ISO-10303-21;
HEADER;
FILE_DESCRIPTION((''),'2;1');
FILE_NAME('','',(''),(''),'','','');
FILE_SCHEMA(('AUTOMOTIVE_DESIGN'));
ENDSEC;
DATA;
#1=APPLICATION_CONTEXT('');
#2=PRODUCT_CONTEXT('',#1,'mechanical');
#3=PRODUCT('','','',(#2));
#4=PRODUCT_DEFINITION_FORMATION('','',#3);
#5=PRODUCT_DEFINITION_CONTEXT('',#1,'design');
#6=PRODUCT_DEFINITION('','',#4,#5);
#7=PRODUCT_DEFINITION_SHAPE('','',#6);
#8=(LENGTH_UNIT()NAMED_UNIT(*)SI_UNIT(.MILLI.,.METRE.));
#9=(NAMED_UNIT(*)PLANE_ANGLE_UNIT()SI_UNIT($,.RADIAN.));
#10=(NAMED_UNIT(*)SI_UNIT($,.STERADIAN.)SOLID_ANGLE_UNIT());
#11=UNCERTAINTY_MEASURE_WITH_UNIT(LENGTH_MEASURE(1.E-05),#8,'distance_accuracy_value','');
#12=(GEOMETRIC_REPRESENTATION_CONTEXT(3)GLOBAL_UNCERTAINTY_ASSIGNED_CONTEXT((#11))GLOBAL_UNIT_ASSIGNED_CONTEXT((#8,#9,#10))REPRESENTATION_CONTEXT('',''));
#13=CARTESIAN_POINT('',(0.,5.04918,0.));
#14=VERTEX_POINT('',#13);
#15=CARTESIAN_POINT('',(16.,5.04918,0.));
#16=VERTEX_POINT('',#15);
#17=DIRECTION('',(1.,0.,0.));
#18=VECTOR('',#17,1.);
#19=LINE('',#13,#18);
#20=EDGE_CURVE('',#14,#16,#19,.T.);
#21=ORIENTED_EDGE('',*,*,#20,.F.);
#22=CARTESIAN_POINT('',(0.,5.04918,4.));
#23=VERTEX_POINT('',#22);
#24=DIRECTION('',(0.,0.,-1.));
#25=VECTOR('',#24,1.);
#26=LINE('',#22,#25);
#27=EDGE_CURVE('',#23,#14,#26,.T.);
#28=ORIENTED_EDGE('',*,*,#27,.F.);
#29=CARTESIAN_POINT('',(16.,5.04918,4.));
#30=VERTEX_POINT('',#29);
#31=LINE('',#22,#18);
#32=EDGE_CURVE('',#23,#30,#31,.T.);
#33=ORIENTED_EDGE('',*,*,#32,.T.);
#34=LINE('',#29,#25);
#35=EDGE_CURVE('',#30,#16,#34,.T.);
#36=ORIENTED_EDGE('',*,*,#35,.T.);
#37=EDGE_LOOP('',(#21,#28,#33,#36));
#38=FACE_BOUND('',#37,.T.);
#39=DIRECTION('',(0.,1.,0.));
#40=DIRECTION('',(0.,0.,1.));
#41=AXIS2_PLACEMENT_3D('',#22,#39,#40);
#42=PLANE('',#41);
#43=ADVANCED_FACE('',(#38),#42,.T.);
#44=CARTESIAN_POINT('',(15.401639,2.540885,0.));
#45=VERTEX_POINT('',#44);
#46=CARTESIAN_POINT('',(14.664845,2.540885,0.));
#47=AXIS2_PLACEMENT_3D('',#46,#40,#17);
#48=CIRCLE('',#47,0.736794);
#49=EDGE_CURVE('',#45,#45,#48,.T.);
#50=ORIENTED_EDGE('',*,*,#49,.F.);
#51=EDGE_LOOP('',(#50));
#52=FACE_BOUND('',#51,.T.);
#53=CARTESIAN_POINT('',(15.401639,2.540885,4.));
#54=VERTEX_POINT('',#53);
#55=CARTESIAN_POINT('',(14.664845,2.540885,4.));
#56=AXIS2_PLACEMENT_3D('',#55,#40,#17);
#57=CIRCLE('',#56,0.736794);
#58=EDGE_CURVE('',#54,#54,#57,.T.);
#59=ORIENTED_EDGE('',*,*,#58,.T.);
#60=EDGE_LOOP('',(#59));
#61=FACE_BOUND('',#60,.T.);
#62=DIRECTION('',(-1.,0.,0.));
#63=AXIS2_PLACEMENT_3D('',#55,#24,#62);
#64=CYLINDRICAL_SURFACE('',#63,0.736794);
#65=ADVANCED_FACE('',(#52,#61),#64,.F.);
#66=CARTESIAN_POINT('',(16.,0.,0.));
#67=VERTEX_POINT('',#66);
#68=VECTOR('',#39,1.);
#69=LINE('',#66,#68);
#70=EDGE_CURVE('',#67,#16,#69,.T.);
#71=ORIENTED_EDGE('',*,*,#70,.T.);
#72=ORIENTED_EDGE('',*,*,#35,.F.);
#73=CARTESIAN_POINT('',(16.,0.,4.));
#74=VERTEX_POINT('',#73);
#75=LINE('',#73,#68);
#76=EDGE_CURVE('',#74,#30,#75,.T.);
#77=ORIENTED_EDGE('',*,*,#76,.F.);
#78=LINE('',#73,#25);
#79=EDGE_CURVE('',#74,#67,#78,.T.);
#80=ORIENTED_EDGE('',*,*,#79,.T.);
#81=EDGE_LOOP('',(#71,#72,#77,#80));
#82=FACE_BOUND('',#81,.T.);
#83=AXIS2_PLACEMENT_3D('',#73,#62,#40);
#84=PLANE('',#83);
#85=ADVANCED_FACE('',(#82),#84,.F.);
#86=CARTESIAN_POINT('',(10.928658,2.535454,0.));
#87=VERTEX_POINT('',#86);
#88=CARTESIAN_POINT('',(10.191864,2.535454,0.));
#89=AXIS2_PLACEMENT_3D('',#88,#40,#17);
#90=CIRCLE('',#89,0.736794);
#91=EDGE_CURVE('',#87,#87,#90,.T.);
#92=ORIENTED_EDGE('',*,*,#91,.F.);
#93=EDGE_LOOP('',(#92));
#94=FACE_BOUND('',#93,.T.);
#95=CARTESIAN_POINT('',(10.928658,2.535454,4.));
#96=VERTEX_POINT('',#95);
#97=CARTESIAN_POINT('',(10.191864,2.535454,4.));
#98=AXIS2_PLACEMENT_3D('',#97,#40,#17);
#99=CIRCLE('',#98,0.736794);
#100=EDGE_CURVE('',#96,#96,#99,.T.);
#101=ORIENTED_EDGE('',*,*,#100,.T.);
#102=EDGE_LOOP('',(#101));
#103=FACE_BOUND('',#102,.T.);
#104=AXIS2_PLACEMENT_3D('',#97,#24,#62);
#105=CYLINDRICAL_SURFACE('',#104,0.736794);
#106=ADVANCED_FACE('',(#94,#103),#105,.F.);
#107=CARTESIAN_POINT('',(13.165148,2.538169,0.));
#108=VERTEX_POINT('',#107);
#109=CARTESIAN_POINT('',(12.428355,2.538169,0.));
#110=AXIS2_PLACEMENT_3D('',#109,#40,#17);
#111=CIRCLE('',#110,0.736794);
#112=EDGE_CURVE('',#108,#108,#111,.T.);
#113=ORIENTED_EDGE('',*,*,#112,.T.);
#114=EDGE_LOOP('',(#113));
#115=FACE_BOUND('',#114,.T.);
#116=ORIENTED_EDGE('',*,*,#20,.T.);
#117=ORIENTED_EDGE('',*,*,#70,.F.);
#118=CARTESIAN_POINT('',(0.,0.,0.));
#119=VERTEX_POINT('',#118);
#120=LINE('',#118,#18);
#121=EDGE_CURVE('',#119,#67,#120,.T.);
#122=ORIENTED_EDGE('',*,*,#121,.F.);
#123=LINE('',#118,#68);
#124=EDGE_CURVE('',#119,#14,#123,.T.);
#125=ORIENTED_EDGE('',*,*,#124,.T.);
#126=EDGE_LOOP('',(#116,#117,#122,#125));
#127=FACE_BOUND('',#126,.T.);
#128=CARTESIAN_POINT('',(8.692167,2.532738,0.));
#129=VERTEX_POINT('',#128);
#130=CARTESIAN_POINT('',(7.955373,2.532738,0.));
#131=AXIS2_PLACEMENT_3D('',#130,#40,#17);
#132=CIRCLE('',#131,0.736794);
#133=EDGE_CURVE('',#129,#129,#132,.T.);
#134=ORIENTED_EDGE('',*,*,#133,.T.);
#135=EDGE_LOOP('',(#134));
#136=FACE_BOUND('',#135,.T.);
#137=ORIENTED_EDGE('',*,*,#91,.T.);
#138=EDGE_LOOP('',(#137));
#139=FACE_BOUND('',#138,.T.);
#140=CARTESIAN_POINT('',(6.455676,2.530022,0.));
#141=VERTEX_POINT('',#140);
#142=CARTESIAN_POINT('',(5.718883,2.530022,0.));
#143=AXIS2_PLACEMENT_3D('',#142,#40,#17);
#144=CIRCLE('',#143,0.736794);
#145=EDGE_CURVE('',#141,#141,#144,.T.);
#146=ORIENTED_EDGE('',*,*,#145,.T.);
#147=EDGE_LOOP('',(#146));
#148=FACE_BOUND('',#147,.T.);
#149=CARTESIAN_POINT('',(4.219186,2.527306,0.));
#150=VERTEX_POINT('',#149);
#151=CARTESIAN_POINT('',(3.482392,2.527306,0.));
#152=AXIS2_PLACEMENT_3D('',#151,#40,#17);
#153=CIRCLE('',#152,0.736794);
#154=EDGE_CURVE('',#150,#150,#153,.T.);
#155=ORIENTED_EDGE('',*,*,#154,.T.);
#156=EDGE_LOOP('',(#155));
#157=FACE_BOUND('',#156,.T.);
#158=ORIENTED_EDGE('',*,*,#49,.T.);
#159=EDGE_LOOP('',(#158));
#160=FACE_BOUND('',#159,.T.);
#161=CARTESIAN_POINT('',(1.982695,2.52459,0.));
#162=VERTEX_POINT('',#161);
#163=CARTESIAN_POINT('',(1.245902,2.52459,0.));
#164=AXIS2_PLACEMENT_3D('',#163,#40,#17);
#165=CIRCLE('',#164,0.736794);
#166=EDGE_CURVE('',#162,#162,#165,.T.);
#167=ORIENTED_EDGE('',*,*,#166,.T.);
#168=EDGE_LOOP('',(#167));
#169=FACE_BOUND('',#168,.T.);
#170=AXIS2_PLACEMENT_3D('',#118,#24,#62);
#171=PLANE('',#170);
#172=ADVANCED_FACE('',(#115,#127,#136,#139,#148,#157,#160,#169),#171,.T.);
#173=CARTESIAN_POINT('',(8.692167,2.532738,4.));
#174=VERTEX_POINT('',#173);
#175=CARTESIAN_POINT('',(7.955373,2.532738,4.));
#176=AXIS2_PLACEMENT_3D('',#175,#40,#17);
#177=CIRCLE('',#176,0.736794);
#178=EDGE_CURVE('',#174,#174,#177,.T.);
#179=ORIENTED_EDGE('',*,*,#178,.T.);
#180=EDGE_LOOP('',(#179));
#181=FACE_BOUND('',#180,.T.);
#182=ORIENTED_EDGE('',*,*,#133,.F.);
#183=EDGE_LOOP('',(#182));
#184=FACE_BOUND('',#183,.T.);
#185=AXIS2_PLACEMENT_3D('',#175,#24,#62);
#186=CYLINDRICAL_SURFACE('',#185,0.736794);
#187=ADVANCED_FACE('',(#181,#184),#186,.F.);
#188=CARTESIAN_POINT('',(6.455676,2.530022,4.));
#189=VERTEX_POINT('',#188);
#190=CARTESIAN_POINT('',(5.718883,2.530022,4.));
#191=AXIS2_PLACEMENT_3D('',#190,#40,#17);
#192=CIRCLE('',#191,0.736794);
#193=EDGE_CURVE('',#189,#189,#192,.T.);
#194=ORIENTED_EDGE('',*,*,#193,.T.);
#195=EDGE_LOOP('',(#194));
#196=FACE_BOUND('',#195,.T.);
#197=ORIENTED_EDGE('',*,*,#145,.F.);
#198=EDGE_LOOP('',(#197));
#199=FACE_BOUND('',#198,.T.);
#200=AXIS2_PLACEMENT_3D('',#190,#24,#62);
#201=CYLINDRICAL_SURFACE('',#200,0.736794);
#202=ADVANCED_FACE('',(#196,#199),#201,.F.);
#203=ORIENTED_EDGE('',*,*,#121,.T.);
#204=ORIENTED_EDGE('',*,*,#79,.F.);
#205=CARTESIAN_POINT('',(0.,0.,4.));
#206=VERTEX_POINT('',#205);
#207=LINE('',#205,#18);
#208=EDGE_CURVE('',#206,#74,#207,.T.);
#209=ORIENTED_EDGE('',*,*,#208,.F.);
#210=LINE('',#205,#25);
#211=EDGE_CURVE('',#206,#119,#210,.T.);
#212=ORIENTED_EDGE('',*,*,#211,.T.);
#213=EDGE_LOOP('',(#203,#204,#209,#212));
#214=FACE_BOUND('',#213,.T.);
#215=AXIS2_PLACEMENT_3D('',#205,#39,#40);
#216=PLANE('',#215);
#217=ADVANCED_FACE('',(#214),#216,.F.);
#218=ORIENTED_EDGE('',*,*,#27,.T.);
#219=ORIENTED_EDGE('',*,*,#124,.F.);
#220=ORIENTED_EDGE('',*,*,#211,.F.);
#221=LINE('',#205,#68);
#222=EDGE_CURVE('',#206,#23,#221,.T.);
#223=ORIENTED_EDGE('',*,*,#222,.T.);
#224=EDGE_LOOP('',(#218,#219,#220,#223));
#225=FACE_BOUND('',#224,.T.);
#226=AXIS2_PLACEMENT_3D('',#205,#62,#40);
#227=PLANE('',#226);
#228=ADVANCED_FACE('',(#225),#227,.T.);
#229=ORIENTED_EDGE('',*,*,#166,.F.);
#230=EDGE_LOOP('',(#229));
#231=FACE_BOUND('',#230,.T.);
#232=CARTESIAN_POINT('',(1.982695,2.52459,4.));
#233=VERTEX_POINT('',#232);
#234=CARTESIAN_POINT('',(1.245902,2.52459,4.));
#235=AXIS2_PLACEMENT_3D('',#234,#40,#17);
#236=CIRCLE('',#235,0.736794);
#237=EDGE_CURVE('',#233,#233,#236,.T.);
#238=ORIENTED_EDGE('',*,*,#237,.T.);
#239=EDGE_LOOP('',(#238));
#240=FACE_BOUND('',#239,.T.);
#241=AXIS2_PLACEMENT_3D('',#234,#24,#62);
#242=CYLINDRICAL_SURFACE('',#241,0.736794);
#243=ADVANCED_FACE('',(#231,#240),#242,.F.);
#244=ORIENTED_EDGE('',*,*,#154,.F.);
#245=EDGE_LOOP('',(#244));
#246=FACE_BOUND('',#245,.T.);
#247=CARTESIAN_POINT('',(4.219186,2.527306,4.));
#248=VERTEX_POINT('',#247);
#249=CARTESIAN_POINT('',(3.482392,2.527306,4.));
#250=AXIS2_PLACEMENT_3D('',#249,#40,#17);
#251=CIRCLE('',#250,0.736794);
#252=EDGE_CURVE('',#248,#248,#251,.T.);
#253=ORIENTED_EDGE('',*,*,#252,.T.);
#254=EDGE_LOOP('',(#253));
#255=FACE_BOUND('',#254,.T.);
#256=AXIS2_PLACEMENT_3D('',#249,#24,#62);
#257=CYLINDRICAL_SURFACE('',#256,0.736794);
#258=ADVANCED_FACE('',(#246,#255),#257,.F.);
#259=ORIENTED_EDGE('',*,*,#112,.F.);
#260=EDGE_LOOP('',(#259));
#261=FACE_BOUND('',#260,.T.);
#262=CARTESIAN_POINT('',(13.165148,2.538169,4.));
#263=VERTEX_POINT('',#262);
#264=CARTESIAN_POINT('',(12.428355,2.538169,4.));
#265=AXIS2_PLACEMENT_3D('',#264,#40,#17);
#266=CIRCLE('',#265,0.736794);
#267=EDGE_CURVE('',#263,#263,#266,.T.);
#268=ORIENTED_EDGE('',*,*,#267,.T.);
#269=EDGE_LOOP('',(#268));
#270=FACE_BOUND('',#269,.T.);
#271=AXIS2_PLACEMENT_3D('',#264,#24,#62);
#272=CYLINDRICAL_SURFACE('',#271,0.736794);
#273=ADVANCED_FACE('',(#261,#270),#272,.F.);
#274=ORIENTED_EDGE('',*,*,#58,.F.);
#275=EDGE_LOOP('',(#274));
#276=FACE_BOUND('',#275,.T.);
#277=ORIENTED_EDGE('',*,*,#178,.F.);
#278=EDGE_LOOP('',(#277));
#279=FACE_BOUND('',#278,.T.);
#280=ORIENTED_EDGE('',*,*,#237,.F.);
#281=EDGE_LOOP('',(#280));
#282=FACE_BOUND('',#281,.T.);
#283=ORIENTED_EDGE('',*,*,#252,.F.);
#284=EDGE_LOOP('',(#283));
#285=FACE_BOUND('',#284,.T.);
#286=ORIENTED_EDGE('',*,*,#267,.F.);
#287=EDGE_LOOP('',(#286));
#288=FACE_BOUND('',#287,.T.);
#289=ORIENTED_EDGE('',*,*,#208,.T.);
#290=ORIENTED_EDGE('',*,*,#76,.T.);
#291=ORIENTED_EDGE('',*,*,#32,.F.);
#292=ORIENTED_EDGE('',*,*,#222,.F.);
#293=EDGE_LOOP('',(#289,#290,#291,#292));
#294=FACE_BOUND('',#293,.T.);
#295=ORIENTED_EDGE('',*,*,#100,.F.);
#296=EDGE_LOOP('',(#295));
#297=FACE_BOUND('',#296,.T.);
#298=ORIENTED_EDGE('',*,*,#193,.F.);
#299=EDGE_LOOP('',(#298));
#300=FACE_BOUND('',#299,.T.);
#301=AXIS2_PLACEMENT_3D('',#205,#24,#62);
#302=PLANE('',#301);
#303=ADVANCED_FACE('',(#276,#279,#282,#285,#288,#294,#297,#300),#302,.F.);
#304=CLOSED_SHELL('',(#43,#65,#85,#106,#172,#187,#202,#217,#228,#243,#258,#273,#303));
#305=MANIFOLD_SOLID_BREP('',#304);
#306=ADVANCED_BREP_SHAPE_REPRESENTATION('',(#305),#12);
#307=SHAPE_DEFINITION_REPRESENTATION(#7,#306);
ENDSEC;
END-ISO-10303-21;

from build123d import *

# Parameters (mm, degrees)
SKETCH1_W           = 16
SKETCH1_H           = 5.049180328
SKETCH1_R           = 0.736793608
BOSS_EXTRUDE1_DEPTH = 4


with BuildPart() as part:
    # Sketch1 → Boss-Extrude1 (new body)
    with BuildSketch(Plane.XY):
        with Locations((8, 2.524590164)):
            Rectangle(SKETCH1_W, SKETCH1_H)
        with Locations((1.245901639, 2.524590164)):
            Circle(SKETCH1_R, mode=Mode.SUBTRACT)
        with Locations((3.482392233, 2.527306002)):
            Circle(SKETCH1_R, mode=Mode.SUBTRACT)
        with Locations((5.718882826, 2.53002184)):
            Circle(SKETCH1_R, mode=Mode.SUBTRACT)
        with Locations((7.955373419, 2.532737677)):
            Circle(SKETCH1_R, mode=Mode.SUBTRACT)
        with Locations((10.191864013, 2.535453515)):
            Circle(SKETCH1_R, mode=Mode.SUBTRACT)
        with Locations((12.428354606, 2.538169353)):
            Circle(SKETCH1_R, mode=Mode.SUBTRACT)
        with Locations((14.6648452, 2.540885191)):
            Circle(SKETCH1_R, mode=Mode.SUBTRACT)
    extrude(amount=BOSS_EXTRUDE1_DEPTH)


solid = part.part
